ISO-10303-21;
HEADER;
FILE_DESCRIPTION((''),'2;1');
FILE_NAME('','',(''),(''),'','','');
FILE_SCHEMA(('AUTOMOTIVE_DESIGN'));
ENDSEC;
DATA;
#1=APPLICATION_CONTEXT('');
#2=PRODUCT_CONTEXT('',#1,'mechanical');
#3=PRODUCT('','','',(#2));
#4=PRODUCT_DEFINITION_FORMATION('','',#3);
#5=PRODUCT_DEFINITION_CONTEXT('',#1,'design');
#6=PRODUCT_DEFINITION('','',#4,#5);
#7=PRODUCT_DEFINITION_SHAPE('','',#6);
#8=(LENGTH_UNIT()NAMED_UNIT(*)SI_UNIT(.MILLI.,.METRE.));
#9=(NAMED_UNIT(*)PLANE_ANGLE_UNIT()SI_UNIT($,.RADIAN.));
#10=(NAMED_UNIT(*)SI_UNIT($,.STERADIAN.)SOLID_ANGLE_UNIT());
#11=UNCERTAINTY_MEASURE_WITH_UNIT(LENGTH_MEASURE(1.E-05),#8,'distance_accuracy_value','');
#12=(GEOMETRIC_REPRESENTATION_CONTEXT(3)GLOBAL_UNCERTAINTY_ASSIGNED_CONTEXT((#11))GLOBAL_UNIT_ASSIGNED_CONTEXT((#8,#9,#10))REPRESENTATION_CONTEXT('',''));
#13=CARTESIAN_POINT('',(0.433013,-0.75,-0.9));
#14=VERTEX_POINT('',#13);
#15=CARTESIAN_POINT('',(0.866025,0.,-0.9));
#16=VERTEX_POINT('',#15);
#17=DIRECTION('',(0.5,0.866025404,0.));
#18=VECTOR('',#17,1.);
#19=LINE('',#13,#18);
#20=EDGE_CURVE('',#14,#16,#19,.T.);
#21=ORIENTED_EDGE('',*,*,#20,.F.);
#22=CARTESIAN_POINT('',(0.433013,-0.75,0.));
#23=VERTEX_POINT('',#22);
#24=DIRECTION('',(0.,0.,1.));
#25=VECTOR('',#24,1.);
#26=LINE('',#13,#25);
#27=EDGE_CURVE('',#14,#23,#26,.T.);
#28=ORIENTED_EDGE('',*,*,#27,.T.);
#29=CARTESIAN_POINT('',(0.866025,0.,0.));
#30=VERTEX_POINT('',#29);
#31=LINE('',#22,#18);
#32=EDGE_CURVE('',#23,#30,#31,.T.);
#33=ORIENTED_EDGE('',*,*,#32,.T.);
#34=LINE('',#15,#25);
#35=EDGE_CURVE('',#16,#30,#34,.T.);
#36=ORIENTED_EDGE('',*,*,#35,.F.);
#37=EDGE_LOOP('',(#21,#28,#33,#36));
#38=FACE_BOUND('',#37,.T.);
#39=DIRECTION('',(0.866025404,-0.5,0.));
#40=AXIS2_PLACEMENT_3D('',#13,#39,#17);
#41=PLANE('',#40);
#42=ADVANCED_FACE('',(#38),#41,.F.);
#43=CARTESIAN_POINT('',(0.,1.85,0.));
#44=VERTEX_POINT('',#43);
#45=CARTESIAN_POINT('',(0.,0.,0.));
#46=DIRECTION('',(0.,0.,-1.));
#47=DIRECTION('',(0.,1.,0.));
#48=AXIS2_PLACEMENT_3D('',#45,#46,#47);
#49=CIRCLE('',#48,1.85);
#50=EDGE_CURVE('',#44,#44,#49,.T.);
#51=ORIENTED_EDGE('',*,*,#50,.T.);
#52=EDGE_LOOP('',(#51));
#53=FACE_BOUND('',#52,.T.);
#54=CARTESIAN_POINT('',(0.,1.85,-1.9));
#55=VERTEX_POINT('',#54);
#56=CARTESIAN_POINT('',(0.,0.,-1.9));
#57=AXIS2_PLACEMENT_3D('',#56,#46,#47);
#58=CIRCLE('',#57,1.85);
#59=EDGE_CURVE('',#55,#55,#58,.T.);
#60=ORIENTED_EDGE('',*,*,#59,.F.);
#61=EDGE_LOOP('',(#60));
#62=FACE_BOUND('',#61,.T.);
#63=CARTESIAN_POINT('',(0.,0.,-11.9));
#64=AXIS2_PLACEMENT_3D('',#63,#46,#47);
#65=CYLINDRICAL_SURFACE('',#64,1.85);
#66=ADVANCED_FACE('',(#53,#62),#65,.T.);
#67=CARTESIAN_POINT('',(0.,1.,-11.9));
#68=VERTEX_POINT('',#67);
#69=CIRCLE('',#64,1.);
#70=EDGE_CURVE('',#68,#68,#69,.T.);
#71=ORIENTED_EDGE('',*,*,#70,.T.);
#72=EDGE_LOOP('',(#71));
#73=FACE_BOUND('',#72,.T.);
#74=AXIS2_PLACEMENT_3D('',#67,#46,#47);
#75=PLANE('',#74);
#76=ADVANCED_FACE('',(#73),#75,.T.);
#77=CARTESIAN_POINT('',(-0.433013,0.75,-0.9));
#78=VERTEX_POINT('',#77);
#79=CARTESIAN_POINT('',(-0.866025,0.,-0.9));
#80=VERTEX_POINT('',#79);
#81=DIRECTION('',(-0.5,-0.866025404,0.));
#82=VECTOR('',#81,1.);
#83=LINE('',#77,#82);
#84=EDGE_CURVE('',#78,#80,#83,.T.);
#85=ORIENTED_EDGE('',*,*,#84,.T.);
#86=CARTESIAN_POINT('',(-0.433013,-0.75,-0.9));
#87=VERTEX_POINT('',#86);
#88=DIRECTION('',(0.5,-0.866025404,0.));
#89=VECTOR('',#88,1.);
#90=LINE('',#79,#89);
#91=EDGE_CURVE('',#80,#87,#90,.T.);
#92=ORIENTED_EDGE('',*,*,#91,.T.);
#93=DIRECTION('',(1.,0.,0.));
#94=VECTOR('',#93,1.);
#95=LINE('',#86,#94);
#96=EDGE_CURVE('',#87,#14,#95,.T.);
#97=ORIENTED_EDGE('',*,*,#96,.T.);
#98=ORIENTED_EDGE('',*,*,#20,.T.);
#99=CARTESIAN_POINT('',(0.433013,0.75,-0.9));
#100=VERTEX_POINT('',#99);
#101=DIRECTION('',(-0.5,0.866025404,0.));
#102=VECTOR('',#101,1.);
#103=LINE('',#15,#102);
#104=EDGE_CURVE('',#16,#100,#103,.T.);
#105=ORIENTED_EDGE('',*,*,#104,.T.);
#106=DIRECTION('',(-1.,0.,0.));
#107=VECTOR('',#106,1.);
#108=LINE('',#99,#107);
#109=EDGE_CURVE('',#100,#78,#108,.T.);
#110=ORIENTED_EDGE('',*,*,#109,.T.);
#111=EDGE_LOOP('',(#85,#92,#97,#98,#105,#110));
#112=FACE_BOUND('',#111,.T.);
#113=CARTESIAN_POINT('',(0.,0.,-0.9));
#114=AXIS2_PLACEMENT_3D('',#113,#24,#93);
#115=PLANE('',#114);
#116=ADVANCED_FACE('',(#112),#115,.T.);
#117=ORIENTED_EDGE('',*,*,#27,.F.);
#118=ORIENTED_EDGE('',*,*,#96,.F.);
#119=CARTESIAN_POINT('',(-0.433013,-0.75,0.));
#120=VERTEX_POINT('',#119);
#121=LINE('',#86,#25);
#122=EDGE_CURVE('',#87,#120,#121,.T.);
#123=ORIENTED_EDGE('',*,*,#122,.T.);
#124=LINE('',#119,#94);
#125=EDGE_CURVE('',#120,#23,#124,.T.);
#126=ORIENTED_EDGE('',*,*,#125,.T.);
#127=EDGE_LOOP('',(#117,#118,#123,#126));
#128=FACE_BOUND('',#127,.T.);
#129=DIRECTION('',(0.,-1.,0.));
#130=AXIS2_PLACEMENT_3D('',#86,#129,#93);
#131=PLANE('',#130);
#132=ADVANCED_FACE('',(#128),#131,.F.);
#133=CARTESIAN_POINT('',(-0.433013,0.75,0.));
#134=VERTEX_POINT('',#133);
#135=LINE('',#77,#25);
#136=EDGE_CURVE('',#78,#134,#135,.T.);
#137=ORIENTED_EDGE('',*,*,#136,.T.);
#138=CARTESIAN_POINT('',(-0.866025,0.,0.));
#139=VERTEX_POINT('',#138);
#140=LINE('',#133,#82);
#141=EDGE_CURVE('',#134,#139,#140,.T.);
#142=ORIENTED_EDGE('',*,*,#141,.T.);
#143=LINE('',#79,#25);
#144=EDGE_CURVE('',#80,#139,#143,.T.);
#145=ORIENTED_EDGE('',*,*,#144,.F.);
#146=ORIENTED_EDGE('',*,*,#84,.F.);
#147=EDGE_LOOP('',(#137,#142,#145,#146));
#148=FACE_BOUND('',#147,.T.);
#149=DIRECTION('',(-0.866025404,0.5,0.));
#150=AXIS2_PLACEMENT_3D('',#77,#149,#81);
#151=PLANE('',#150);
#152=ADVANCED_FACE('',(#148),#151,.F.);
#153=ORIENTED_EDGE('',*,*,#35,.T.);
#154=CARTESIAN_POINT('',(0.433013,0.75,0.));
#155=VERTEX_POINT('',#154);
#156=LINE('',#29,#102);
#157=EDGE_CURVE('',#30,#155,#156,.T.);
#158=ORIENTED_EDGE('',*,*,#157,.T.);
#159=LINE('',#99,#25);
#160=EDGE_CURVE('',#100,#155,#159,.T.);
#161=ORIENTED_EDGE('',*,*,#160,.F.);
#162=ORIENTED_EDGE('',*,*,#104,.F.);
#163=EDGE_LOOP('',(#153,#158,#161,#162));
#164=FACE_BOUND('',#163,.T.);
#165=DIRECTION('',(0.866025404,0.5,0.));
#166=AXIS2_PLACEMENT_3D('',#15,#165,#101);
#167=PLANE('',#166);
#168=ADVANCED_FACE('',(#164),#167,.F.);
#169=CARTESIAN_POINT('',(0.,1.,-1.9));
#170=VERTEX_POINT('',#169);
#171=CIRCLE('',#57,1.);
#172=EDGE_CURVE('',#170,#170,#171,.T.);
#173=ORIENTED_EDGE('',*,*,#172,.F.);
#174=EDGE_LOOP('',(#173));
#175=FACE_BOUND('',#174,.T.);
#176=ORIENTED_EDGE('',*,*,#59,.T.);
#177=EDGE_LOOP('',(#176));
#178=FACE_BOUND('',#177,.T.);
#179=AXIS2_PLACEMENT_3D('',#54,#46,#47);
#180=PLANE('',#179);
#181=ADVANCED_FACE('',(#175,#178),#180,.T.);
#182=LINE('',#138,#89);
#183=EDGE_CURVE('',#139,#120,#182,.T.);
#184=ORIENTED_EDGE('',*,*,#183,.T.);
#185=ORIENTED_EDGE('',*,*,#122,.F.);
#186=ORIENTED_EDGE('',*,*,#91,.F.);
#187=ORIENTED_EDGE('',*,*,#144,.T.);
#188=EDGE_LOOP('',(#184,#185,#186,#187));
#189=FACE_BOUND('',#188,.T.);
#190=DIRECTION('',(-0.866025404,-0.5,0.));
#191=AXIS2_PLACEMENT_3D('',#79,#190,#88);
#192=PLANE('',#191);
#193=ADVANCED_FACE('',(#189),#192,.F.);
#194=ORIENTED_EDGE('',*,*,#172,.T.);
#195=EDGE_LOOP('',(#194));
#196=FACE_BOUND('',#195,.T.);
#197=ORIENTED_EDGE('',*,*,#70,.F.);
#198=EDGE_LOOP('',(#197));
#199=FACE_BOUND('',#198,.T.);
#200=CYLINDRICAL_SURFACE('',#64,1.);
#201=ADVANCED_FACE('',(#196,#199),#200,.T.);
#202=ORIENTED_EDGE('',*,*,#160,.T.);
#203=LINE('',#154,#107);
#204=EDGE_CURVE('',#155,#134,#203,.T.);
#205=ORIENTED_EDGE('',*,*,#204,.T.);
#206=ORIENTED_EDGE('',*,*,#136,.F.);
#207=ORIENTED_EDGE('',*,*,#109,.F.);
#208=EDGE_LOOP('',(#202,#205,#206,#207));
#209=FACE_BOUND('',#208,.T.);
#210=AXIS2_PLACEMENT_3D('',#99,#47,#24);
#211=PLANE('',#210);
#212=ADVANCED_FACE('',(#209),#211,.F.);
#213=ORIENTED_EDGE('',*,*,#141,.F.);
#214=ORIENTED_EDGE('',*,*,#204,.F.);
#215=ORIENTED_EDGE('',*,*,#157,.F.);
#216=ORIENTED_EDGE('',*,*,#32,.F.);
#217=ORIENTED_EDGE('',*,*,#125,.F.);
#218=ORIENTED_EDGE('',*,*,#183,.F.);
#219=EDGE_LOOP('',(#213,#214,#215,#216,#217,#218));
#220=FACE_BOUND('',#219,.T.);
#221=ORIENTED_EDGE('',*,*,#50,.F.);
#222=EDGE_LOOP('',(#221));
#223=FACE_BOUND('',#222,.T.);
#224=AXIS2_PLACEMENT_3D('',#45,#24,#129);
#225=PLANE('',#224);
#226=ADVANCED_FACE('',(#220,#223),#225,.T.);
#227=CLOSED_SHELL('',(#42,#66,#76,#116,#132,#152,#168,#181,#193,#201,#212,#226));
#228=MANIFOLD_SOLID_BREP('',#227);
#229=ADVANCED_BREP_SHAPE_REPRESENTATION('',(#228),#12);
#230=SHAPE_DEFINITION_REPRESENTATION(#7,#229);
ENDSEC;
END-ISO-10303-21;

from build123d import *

# Parameters (mm, degrees)
CUT_EXTRUDE_1_DEPTH = 0.9


with BuildPart() as part:
    # 草图1 → 旋转1 (revolve)
    with BuildSketch(Plane(origin=(0, 0, 0), x_dir=(0, 0, -1), z_dir=(1, 0, 0))):
        Polygon((0, 0), (0, 1.85), (1.9, 1.85), (1.9, 1), (11.9, 1), (11.9, 0), align=None)
    revolve(axis=Axis((0, 0, -11.9), (0, 0, 1)))

    # 草图2 → 切除-拉伸1 (cut)
    with BuildSketch(Plane.XY):
        Polygon((0.433012702, 0.75), (-0.433012702, 0.75), (-0.866025404, 0), (-0.433012702, -0.75), (0.433012702, -0.75), (0.866025404, 0), align=None)
    extrude(amount=-CUT_EXTRUDE_1_DEPTH, mode=Mode.SUBTRACT)


solid = part.part
